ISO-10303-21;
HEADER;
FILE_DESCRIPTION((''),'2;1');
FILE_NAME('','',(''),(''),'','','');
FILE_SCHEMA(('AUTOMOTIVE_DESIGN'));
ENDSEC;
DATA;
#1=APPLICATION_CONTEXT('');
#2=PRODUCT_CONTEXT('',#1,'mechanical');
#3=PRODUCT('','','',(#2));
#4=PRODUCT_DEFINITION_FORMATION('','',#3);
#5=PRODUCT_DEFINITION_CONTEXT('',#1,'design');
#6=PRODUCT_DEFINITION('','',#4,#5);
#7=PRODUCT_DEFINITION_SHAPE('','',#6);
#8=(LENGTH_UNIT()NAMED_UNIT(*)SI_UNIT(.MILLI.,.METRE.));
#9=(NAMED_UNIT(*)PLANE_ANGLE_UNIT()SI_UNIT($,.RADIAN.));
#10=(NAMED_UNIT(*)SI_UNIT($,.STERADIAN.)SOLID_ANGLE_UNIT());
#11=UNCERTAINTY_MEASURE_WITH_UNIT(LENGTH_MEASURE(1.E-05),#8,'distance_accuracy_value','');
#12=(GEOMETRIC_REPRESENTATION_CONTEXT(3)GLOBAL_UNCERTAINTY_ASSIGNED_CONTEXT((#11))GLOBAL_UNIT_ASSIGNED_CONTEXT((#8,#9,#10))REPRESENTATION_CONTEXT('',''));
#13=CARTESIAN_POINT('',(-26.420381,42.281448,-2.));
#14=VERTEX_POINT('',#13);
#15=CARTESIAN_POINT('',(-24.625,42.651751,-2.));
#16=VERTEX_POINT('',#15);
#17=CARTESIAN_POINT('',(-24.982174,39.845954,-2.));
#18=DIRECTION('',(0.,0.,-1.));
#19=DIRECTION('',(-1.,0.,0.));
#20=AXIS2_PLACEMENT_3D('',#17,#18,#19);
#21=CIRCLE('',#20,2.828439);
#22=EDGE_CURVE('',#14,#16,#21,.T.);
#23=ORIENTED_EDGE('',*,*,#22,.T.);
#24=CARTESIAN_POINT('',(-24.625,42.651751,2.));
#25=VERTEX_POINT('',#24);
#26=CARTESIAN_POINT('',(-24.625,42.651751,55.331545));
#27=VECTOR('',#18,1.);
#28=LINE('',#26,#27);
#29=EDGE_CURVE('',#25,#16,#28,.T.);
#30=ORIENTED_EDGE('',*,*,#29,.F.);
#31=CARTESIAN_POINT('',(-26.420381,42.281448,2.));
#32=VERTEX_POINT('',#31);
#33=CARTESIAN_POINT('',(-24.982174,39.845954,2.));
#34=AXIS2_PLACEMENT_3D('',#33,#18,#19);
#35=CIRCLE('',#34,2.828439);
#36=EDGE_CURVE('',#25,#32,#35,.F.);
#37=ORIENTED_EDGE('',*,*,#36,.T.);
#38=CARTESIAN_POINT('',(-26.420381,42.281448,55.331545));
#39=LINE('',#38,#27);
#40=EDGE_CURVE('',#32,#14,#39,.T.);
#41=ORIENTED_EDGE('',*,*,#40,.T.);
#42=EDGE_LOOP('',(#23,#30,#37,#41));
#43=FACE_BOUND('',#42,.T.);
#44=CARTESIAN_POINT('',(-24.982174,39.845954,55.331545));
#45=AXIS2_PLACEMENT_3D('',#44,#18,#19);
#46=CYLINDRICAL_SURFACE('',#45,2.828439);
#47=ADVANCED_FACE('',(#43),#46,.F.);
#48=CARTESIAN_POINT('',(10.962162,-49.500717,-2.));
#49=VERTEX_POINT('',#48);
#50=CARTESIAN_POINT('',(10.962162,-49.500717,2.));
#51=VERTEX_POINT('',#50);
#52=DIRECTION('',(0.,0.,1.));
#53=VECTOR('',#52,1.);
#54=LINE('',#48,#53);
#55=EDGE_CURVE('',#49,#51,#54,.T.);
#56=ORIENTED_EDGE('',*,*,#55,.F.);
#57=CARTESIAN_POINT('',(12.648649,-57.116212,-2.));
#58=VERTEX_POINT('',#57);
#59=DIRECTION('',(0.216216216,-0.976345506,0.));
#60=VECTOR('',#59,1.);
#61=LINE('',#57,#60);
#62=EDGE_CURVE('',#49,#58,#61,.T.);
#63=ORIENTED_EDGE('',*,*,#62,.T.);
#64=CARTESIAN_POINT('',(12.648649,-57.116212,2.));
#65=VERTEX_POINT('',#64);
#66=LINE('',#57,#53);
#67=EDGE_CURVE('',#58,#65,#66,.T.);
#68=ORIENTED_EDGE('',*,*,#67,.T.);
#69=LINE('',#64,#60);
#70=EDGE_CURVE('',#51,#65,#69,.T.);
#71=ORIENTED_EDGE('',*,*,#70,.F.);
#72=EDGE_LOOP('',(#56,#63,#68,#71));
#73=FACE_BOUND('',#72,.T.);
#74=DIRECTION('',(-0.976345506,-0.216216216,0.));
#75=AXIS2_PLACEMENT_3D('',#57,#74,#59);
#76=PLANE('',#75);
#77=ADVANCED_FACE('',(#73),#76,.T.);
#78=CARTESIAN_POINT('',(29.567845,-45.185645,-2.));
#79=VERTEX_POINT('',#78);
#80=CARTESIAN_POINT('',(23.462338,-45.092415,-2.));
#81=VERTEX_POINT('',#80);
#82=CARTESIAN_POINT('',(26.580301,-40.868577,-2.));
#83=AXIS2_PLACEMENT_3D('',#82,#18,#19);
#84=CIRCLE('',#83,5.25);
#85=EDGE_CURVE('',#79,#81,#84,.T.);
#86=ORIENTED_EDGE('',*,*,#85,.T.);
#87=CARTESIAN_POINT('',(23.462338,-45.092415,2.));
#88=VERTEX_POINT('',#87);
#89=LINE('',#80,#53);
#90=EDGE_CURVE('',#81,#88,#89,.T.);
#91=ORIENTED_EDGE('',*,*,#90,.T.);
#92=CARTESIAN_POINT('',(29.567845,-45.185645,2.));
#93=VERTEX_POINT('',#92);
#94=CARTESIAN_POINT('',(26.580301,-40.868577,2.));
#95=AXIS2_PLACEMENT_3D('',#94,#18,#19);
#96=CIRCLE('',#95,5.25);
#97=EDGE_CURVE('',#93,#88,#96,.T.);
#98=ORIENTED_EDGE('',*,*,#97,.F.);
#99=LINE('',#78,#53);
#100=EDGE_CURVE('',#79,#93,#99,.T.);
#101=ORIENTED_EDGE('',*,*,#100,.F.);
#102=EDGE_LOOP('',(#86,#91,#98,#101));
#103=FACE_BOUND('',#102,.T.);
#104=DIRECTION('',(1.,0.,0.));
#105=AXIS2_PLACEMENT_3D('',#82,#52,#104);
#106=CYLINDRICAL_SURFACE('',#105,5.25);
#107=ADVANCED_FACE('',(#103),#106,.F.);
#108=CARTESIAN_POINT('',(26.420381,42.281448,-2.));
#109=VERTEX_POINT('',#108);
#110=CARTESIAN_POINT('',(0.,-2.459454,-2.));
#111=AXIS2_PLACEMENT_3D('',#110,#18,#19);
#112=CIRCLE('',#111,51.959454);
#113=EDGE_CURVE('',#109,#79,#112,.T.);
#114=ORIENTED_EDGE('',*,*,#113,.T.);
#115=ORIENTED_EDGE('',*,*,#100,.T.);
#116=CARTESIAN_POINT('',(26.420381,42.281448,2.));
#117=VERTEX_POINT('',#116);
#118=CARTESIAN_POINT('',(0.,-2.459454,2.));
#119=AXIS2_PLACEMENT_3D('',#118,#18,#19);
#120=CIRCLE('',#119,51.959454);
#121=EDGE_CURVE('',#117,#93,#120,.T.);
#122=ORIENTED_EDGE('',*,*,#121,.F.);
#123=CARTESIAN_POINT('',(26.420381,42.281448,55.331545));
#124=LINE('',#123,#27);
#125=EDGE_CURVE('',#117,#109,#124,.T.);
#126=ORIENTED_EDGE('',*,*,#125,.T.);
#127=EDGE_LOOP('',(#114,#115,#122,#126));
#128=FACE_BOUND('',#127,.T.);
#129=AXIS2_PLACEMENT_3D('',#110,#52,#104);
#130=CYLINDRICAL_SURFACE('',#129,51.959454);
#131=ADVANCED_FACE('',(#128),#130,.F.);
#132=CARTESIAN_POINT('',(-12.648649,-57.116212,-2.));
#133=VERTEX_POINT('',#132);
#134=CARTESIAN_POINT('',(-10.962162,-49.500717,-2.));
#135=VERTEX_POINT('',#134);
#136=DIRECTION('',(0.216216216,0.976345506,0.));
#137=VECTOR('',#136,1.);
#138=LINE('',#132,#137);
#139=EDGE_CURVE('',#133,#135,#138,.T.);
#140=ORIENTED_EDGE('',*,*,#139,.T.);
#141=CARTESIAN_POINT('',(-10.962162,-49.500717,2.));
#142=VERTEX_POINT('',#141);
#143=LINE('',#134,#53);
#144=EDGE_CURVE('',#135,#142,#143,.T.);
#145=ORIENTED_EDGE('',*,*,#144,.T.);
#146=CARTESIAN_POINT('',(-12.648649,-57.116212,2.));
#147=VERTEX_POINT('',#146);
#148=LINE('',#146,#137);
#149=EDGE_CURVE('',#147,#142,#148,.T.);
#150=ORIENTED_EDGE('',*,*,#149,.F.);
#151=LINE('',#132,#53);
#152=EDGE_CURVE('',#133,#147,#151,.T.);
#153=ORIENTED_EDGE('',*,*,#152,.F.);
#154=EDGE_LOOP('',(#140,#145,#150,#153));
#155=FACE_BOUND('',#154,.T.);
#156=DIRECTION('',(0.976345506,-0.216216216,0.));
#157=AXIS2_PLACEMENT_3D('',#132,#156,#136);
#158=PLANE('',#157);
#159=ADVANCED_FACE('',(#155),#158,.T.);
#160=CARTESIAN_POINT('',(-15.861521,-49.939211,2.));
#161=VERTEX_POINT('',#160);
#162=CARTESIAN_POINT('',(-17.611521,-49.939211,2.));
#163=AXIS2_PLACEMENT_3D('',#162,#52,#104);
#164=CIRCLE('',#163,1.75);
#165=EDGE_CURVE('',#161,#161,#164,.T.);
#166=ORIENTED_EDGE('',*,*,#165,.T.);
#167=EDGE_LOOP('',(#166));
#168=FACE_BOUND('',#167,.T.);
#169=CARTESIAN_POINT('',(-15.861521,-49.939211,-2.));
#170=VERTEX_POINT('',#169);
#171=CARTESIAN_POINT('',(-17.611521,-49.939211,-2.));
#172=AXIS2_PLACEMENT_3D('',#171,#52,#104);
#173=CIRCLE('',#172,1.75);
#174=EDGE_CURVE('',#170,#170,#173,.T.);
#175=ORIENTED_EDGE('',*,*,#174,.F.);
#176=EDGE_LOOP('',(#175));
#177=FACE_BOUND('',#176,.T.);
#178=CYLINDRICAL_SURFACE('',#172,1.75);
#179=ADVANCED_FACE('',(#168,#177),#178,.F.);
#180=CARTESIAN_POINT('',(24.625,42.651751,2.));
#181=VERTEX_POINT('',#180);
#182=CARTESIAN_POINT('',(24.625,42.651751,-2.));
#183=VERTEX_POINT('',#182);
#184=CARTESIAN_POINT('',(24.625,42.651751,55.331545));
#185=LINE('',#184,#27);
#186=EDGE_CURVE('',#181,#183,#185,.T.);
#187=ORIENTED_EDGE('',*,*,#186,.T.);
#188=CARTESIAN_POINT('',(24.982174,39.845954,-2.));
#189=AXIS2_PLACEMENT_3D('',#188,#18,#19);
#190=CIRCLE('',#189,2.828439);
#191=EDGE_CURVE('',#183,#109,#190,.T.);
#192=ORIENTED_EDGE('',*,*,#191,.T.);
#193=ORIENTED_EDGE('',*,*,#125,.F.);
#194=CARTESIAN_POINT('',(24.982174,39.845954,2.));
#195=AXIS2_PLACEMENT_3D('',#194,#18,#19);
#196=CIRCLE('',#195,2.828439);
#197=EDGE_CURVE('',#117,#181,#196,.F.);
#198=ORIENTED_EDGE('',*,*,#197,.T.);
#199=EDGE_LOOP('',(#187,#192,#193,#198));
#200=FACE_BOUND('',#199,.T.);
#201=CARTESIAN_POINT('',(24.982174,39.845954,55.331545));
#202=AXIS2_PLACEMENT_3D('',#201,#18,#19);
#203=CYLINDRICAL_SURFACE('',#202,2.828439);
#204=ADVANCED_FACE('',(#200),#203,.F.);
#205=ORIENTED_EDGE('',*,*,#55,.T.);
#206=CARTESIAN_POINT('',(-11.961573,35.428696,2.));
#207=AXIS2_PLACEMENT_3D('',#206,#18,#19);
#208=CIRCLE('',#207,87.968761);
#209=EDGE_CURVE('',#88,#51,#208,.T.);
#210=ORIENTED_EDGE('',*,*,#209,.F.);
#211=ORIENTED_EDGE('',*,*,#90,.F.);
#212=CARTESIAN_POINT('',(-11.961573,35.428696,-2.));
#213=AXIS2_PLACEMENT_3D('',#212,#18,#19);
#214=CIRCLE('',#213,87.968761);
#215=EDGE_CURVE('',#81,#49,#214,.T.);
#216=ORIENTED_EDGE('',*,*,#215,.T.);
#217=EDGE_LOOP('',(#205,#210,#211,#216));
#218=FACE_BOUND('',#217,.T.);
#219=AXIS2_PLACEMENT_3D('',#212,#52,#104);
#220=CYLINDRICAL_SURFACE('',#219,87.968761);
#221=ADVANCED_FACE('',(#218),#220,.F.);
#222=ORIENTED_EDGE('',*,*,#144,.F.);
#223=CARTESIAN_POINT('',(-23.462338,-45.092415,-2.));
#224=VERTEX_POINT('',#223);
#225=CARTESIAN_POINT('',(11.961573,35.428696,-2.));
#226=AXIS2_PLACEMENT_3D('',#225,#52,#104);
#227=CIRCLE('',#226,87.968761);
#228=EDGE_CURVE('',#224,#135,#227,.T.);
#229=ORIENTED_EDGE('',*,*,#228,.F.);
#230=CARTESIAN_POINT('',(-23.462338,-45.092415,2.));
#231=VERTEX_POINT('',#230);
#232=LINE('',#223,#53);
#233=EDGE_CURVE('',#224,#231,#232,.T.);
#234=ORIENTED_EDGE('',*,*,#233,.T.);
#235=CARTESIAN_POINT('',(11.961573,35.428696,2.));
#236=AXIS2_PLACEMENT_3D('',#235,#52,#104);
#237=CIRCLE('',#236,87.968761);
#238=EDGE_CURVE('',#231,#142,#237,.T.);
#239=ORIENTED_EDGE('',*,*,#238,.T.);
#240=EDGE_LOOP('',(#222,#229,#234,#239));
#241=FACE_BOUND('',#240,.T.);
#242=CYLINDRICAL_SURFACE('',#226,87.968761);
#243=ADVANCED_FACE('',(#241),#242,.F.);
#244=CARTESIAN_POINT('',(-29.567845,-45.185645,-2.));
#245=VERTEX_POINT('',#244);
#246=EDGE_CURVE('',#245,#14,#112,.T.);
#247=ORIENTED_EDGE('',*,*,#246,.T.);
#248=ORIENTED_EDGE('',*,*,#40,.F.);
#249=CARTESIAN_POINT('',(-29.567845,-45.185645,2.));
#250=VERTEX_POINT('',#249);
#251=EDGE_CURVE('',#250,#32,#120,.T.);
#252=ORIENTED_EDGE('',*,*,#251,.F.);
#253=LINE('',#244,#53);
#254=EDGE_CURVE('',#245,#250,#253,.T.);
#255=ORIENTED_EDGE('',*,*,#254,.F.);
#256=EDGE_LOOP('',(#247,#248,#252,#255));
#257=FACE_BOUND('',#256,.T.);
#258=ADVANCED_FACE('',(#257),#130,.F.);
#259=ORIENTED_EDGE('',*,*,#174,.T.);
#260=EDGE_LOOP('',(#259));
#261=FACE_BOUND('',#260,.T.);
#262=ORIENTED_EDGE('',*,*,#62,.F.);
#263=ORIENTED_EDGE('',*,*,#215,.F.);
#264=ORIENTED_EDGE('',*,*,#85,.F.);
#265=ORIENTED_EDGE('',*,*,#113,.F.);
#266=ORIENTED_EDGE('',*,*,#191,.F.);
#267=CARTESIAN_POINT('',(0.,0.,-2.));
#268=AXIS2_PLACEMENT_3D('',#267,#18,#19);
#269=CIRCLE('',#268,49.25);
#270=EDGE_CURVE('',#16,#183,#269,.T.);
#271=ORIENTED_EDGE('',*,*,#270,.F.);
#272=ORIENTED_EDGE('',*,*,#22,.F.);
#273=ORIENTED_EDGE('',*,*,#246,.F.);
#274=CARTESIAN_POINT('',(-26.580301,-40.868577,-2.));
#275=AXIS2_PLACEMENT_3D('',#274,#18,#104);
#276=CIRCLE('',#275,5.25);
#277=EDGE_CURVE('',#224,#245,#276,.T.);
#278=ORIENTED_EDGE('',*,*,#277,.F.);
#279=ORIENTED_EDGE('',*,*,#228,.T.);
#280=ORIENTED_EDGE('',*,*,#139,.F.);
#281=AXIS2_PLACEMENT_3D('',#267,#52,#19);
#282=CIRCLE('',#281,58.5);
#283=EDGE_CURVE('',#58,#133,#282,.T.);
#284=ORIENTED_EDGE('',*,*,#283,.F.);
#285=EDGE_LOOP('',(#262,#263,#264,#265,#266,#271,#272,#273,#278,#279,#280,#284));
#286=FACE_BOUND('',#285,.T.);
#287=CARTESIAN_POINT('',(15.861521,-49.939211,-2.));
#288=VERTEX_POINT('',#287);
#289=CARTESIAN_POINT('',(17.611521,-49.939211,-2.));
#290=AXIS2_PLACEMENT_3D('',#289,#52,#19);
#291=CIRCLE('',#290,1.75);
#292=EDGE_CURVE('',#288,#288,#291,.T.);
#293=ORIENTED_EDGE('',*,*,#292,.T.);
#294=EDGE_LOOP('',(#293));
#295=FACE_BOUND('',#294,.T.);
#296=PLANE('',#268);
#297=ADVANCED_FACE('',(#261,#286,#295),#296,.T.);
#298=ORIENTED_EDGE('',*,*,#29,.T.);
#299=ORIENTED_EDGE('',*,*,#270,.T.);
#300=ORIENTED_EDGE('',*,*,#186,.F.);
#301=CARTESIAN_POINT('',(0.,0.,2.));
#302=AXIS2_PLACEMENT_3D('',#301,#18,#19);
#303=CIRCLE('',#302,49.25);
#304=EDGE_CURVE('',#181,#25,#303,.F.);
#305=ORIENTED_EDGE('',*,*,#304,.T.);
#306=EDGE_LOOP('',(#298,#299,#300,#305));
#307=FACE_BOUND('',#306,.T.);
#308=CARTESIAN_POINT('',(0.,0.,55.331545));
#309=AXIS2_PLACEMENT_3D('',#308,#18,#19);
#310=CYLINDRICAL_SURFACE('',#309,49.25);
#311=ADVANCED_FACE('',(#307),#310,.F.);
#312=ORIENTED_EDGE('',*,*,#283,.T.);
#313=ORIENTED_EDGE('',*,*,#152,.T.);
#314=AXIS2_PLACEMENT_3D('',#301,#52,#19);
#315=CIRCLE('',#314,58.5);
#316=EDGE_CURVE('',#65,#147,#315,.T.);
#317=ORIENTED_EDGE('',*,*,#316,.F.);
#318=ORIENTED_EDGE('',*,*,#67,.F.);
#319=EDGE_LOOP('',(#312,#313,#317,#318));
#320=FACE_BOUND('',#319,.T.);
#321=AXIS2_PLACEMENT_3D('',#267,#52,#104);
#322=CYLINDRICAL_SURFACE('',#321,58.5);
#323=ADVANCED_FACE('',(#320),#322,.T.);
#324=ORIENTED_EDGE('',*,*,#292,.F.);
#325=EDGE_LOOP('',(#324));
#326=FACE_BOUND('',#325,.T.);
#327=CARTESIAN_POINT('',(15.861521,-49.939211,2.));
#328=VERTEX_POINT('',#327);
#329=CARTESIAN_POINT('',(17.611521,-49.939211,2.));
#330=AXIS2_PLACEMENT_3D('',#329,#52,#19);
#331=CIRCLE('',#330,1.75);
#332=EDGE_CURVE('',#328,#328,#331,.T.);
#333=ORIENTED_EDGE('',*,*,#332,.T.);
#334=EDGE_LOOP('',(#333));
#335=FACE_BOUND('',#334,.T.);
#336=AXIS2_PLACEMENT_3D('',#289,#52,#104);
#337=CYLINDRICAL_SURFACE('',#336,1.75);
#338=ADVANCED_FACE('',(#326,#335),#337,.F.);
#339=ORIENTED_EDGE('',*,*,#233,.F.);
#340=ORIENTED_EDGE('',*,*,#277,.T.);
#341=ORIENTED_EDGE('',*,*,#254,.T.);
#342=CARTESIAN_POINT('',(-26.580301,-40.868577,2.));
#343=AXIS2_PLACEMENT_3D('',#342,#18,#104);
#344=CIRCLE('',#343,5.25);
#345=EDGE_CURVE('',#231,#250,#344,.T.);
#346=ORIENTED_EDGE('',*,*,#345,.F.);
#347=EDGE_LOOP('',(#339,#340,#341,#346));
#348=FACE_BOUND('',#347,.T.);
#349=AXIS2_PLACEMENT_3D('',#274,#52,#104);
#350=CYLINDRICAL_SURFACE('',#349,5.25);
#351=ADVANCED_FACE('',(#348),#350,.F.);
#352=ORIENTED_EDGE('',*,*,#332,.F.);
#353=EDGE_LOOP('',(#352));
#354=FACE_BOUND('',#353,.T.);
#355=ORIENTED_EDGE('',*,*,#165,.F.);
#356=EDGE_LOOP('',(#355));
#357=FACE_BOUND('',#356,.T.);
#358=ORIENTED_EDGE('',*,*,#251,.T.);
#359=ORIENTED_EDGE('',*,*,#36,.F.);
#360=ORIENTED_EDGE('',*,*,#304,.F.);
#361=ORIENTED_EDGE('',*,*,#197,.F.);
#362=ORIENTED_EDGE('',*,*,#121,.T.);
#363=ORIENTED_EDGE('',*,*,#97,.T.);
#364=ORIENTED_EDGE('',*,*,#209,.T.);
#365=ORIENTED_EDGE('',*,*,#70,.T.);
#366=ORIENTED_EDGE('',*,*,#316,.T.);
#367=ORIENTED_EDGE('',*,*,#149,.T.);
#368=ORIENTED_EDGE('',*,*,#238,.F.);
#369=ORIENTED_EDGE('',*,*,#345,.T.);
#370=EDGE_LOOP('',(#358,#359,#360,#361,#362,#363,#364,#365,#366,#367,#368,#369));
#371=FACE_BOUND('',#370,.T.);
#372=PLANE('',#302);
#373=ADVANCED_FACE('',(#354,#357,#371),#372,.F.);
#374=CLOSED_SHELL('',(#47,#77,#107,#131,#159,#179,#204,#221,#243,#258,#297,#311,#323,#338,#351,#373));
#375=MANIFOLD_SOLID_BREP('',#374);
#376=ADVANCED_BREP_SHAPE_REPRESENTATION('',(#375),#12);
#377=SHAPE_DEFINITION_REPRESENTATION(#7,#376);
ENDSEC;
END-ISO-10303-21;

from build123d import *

# Parameters (mm, degrees)
BOSS_EXTRUDE1_DEPTH      = 2
BOSS_EXTRUDE1_DEPTH_BACK = 2
SKETCH3_R                = 1.75
BOSS_EXTRUDE2_START      = -2
BOSS_EXTRUDE2_DEPTH      = 4
CUT_EXTRUDE2_DEPTH       = 83.755664459


with BuildPart() as part:
    # Sketch3 → Boss-Extrude1 (new, two sides: drawn at the far end of the back side and taken through both)
    with BuildSketch(Plane.XY.offset(-BOSS_EXTRUDE1_DEPTH_BACK)):
        with BuildLine():
            Line((-12.648648649, -57.116212124), (-10.962162162, -49.500717174))
            Line((-10.962162162, -49.500717174), (-23.462338081, -45.092415448))
            ThreePointArc((-23.462338081, -45.092415448), (-26.50014347, -46.117965154), (-29.56784511, -45.185645238))
            ThreePointArc((-29.56784511, -45.185645238), (0, 49.5), (29.56784511, -45.185645238))
            ThreePointArc((29.56784511, -45.185645238), (26.50014347, -46.117965154), (23.462338081, -45.092415448))
            Line((23.462338081, -45.092415448), (10.962162162, -49.500717174))
            Line((10.962162162, -49.500717174), (12.648648649, -57.116212124))
            ThreePointArc((12.648648649, -57.116212124), (0, 58.5), (-12.648648649, -57.116212124))
        make_face()
        with Locations((-17.611521005, -49.939211163)):
            Circle(SKETCH3_R, mode=Mode.SUBTRACT)
        with Locations(Location((17.611521005, -49.939211163, 0), (0, 0, 180))):
            Circle(SKETCH3_R, mode=Mode.SUBTRACT)
    extrude(amount=BOSS_EXTRUDE1_DEPTH + BOSS_EXTRUDE1_DEPTH_BACK)

    # Sketch6 → Boss-Extrude2 (add)
    with BuildSketch(Plane.XY.offset(BOSS_EXTRUDE2_START)):
        with BuildLine():
            ThreePointArc((-24.625, 42.651751136), (0, 49.25), (24.625, 42.651751136))
            ThreePointArc((24.625, 42.651751136), (25.553522607, 42.616086127), (26.420381097, 42.28144814))
            ThreePointArc((26.420381097, 42.28144814), (0, 49.5), (-26.420381097, 42.28144814))
            ThreePointArc((-26.420381097, 42.28144814), (-25.553522607, 42.616086127), (-24.625, 42.651751136))
        make_face()
    extrude(amount=BOSS_EXTRUDE2_DEPTH)

    # Sketch5 → Cut-Extrude2 (cut, symmetric)
    with BuildSketch(Plane.XY):
        with BuildLine():
            Line((-23.462338081, -45.092415448), (0, 0))
            Line((0, 0), (-10.962162162, -49.500717174))
            ThreePointArc((-10.962162162, -49.500717174), (-17.295396026, -47.532334754), (-23.462338081, -45.092415448))
        make_face()
    cut_extrude2 = extrude(amount=CUT_EXTRUDE2_DEPTH, both=True, mode=Mode.SUBTRACT)

    # Mirror1: Cut-Extrude2 across plane
    add(cut_extrude2.mirror(Plane(origin=(0, 0, 0), x_dir=(0, 0, 1), z_dir=(1, 0, 0))), mode=Mode.SUBTRACT)


solid = part.part
